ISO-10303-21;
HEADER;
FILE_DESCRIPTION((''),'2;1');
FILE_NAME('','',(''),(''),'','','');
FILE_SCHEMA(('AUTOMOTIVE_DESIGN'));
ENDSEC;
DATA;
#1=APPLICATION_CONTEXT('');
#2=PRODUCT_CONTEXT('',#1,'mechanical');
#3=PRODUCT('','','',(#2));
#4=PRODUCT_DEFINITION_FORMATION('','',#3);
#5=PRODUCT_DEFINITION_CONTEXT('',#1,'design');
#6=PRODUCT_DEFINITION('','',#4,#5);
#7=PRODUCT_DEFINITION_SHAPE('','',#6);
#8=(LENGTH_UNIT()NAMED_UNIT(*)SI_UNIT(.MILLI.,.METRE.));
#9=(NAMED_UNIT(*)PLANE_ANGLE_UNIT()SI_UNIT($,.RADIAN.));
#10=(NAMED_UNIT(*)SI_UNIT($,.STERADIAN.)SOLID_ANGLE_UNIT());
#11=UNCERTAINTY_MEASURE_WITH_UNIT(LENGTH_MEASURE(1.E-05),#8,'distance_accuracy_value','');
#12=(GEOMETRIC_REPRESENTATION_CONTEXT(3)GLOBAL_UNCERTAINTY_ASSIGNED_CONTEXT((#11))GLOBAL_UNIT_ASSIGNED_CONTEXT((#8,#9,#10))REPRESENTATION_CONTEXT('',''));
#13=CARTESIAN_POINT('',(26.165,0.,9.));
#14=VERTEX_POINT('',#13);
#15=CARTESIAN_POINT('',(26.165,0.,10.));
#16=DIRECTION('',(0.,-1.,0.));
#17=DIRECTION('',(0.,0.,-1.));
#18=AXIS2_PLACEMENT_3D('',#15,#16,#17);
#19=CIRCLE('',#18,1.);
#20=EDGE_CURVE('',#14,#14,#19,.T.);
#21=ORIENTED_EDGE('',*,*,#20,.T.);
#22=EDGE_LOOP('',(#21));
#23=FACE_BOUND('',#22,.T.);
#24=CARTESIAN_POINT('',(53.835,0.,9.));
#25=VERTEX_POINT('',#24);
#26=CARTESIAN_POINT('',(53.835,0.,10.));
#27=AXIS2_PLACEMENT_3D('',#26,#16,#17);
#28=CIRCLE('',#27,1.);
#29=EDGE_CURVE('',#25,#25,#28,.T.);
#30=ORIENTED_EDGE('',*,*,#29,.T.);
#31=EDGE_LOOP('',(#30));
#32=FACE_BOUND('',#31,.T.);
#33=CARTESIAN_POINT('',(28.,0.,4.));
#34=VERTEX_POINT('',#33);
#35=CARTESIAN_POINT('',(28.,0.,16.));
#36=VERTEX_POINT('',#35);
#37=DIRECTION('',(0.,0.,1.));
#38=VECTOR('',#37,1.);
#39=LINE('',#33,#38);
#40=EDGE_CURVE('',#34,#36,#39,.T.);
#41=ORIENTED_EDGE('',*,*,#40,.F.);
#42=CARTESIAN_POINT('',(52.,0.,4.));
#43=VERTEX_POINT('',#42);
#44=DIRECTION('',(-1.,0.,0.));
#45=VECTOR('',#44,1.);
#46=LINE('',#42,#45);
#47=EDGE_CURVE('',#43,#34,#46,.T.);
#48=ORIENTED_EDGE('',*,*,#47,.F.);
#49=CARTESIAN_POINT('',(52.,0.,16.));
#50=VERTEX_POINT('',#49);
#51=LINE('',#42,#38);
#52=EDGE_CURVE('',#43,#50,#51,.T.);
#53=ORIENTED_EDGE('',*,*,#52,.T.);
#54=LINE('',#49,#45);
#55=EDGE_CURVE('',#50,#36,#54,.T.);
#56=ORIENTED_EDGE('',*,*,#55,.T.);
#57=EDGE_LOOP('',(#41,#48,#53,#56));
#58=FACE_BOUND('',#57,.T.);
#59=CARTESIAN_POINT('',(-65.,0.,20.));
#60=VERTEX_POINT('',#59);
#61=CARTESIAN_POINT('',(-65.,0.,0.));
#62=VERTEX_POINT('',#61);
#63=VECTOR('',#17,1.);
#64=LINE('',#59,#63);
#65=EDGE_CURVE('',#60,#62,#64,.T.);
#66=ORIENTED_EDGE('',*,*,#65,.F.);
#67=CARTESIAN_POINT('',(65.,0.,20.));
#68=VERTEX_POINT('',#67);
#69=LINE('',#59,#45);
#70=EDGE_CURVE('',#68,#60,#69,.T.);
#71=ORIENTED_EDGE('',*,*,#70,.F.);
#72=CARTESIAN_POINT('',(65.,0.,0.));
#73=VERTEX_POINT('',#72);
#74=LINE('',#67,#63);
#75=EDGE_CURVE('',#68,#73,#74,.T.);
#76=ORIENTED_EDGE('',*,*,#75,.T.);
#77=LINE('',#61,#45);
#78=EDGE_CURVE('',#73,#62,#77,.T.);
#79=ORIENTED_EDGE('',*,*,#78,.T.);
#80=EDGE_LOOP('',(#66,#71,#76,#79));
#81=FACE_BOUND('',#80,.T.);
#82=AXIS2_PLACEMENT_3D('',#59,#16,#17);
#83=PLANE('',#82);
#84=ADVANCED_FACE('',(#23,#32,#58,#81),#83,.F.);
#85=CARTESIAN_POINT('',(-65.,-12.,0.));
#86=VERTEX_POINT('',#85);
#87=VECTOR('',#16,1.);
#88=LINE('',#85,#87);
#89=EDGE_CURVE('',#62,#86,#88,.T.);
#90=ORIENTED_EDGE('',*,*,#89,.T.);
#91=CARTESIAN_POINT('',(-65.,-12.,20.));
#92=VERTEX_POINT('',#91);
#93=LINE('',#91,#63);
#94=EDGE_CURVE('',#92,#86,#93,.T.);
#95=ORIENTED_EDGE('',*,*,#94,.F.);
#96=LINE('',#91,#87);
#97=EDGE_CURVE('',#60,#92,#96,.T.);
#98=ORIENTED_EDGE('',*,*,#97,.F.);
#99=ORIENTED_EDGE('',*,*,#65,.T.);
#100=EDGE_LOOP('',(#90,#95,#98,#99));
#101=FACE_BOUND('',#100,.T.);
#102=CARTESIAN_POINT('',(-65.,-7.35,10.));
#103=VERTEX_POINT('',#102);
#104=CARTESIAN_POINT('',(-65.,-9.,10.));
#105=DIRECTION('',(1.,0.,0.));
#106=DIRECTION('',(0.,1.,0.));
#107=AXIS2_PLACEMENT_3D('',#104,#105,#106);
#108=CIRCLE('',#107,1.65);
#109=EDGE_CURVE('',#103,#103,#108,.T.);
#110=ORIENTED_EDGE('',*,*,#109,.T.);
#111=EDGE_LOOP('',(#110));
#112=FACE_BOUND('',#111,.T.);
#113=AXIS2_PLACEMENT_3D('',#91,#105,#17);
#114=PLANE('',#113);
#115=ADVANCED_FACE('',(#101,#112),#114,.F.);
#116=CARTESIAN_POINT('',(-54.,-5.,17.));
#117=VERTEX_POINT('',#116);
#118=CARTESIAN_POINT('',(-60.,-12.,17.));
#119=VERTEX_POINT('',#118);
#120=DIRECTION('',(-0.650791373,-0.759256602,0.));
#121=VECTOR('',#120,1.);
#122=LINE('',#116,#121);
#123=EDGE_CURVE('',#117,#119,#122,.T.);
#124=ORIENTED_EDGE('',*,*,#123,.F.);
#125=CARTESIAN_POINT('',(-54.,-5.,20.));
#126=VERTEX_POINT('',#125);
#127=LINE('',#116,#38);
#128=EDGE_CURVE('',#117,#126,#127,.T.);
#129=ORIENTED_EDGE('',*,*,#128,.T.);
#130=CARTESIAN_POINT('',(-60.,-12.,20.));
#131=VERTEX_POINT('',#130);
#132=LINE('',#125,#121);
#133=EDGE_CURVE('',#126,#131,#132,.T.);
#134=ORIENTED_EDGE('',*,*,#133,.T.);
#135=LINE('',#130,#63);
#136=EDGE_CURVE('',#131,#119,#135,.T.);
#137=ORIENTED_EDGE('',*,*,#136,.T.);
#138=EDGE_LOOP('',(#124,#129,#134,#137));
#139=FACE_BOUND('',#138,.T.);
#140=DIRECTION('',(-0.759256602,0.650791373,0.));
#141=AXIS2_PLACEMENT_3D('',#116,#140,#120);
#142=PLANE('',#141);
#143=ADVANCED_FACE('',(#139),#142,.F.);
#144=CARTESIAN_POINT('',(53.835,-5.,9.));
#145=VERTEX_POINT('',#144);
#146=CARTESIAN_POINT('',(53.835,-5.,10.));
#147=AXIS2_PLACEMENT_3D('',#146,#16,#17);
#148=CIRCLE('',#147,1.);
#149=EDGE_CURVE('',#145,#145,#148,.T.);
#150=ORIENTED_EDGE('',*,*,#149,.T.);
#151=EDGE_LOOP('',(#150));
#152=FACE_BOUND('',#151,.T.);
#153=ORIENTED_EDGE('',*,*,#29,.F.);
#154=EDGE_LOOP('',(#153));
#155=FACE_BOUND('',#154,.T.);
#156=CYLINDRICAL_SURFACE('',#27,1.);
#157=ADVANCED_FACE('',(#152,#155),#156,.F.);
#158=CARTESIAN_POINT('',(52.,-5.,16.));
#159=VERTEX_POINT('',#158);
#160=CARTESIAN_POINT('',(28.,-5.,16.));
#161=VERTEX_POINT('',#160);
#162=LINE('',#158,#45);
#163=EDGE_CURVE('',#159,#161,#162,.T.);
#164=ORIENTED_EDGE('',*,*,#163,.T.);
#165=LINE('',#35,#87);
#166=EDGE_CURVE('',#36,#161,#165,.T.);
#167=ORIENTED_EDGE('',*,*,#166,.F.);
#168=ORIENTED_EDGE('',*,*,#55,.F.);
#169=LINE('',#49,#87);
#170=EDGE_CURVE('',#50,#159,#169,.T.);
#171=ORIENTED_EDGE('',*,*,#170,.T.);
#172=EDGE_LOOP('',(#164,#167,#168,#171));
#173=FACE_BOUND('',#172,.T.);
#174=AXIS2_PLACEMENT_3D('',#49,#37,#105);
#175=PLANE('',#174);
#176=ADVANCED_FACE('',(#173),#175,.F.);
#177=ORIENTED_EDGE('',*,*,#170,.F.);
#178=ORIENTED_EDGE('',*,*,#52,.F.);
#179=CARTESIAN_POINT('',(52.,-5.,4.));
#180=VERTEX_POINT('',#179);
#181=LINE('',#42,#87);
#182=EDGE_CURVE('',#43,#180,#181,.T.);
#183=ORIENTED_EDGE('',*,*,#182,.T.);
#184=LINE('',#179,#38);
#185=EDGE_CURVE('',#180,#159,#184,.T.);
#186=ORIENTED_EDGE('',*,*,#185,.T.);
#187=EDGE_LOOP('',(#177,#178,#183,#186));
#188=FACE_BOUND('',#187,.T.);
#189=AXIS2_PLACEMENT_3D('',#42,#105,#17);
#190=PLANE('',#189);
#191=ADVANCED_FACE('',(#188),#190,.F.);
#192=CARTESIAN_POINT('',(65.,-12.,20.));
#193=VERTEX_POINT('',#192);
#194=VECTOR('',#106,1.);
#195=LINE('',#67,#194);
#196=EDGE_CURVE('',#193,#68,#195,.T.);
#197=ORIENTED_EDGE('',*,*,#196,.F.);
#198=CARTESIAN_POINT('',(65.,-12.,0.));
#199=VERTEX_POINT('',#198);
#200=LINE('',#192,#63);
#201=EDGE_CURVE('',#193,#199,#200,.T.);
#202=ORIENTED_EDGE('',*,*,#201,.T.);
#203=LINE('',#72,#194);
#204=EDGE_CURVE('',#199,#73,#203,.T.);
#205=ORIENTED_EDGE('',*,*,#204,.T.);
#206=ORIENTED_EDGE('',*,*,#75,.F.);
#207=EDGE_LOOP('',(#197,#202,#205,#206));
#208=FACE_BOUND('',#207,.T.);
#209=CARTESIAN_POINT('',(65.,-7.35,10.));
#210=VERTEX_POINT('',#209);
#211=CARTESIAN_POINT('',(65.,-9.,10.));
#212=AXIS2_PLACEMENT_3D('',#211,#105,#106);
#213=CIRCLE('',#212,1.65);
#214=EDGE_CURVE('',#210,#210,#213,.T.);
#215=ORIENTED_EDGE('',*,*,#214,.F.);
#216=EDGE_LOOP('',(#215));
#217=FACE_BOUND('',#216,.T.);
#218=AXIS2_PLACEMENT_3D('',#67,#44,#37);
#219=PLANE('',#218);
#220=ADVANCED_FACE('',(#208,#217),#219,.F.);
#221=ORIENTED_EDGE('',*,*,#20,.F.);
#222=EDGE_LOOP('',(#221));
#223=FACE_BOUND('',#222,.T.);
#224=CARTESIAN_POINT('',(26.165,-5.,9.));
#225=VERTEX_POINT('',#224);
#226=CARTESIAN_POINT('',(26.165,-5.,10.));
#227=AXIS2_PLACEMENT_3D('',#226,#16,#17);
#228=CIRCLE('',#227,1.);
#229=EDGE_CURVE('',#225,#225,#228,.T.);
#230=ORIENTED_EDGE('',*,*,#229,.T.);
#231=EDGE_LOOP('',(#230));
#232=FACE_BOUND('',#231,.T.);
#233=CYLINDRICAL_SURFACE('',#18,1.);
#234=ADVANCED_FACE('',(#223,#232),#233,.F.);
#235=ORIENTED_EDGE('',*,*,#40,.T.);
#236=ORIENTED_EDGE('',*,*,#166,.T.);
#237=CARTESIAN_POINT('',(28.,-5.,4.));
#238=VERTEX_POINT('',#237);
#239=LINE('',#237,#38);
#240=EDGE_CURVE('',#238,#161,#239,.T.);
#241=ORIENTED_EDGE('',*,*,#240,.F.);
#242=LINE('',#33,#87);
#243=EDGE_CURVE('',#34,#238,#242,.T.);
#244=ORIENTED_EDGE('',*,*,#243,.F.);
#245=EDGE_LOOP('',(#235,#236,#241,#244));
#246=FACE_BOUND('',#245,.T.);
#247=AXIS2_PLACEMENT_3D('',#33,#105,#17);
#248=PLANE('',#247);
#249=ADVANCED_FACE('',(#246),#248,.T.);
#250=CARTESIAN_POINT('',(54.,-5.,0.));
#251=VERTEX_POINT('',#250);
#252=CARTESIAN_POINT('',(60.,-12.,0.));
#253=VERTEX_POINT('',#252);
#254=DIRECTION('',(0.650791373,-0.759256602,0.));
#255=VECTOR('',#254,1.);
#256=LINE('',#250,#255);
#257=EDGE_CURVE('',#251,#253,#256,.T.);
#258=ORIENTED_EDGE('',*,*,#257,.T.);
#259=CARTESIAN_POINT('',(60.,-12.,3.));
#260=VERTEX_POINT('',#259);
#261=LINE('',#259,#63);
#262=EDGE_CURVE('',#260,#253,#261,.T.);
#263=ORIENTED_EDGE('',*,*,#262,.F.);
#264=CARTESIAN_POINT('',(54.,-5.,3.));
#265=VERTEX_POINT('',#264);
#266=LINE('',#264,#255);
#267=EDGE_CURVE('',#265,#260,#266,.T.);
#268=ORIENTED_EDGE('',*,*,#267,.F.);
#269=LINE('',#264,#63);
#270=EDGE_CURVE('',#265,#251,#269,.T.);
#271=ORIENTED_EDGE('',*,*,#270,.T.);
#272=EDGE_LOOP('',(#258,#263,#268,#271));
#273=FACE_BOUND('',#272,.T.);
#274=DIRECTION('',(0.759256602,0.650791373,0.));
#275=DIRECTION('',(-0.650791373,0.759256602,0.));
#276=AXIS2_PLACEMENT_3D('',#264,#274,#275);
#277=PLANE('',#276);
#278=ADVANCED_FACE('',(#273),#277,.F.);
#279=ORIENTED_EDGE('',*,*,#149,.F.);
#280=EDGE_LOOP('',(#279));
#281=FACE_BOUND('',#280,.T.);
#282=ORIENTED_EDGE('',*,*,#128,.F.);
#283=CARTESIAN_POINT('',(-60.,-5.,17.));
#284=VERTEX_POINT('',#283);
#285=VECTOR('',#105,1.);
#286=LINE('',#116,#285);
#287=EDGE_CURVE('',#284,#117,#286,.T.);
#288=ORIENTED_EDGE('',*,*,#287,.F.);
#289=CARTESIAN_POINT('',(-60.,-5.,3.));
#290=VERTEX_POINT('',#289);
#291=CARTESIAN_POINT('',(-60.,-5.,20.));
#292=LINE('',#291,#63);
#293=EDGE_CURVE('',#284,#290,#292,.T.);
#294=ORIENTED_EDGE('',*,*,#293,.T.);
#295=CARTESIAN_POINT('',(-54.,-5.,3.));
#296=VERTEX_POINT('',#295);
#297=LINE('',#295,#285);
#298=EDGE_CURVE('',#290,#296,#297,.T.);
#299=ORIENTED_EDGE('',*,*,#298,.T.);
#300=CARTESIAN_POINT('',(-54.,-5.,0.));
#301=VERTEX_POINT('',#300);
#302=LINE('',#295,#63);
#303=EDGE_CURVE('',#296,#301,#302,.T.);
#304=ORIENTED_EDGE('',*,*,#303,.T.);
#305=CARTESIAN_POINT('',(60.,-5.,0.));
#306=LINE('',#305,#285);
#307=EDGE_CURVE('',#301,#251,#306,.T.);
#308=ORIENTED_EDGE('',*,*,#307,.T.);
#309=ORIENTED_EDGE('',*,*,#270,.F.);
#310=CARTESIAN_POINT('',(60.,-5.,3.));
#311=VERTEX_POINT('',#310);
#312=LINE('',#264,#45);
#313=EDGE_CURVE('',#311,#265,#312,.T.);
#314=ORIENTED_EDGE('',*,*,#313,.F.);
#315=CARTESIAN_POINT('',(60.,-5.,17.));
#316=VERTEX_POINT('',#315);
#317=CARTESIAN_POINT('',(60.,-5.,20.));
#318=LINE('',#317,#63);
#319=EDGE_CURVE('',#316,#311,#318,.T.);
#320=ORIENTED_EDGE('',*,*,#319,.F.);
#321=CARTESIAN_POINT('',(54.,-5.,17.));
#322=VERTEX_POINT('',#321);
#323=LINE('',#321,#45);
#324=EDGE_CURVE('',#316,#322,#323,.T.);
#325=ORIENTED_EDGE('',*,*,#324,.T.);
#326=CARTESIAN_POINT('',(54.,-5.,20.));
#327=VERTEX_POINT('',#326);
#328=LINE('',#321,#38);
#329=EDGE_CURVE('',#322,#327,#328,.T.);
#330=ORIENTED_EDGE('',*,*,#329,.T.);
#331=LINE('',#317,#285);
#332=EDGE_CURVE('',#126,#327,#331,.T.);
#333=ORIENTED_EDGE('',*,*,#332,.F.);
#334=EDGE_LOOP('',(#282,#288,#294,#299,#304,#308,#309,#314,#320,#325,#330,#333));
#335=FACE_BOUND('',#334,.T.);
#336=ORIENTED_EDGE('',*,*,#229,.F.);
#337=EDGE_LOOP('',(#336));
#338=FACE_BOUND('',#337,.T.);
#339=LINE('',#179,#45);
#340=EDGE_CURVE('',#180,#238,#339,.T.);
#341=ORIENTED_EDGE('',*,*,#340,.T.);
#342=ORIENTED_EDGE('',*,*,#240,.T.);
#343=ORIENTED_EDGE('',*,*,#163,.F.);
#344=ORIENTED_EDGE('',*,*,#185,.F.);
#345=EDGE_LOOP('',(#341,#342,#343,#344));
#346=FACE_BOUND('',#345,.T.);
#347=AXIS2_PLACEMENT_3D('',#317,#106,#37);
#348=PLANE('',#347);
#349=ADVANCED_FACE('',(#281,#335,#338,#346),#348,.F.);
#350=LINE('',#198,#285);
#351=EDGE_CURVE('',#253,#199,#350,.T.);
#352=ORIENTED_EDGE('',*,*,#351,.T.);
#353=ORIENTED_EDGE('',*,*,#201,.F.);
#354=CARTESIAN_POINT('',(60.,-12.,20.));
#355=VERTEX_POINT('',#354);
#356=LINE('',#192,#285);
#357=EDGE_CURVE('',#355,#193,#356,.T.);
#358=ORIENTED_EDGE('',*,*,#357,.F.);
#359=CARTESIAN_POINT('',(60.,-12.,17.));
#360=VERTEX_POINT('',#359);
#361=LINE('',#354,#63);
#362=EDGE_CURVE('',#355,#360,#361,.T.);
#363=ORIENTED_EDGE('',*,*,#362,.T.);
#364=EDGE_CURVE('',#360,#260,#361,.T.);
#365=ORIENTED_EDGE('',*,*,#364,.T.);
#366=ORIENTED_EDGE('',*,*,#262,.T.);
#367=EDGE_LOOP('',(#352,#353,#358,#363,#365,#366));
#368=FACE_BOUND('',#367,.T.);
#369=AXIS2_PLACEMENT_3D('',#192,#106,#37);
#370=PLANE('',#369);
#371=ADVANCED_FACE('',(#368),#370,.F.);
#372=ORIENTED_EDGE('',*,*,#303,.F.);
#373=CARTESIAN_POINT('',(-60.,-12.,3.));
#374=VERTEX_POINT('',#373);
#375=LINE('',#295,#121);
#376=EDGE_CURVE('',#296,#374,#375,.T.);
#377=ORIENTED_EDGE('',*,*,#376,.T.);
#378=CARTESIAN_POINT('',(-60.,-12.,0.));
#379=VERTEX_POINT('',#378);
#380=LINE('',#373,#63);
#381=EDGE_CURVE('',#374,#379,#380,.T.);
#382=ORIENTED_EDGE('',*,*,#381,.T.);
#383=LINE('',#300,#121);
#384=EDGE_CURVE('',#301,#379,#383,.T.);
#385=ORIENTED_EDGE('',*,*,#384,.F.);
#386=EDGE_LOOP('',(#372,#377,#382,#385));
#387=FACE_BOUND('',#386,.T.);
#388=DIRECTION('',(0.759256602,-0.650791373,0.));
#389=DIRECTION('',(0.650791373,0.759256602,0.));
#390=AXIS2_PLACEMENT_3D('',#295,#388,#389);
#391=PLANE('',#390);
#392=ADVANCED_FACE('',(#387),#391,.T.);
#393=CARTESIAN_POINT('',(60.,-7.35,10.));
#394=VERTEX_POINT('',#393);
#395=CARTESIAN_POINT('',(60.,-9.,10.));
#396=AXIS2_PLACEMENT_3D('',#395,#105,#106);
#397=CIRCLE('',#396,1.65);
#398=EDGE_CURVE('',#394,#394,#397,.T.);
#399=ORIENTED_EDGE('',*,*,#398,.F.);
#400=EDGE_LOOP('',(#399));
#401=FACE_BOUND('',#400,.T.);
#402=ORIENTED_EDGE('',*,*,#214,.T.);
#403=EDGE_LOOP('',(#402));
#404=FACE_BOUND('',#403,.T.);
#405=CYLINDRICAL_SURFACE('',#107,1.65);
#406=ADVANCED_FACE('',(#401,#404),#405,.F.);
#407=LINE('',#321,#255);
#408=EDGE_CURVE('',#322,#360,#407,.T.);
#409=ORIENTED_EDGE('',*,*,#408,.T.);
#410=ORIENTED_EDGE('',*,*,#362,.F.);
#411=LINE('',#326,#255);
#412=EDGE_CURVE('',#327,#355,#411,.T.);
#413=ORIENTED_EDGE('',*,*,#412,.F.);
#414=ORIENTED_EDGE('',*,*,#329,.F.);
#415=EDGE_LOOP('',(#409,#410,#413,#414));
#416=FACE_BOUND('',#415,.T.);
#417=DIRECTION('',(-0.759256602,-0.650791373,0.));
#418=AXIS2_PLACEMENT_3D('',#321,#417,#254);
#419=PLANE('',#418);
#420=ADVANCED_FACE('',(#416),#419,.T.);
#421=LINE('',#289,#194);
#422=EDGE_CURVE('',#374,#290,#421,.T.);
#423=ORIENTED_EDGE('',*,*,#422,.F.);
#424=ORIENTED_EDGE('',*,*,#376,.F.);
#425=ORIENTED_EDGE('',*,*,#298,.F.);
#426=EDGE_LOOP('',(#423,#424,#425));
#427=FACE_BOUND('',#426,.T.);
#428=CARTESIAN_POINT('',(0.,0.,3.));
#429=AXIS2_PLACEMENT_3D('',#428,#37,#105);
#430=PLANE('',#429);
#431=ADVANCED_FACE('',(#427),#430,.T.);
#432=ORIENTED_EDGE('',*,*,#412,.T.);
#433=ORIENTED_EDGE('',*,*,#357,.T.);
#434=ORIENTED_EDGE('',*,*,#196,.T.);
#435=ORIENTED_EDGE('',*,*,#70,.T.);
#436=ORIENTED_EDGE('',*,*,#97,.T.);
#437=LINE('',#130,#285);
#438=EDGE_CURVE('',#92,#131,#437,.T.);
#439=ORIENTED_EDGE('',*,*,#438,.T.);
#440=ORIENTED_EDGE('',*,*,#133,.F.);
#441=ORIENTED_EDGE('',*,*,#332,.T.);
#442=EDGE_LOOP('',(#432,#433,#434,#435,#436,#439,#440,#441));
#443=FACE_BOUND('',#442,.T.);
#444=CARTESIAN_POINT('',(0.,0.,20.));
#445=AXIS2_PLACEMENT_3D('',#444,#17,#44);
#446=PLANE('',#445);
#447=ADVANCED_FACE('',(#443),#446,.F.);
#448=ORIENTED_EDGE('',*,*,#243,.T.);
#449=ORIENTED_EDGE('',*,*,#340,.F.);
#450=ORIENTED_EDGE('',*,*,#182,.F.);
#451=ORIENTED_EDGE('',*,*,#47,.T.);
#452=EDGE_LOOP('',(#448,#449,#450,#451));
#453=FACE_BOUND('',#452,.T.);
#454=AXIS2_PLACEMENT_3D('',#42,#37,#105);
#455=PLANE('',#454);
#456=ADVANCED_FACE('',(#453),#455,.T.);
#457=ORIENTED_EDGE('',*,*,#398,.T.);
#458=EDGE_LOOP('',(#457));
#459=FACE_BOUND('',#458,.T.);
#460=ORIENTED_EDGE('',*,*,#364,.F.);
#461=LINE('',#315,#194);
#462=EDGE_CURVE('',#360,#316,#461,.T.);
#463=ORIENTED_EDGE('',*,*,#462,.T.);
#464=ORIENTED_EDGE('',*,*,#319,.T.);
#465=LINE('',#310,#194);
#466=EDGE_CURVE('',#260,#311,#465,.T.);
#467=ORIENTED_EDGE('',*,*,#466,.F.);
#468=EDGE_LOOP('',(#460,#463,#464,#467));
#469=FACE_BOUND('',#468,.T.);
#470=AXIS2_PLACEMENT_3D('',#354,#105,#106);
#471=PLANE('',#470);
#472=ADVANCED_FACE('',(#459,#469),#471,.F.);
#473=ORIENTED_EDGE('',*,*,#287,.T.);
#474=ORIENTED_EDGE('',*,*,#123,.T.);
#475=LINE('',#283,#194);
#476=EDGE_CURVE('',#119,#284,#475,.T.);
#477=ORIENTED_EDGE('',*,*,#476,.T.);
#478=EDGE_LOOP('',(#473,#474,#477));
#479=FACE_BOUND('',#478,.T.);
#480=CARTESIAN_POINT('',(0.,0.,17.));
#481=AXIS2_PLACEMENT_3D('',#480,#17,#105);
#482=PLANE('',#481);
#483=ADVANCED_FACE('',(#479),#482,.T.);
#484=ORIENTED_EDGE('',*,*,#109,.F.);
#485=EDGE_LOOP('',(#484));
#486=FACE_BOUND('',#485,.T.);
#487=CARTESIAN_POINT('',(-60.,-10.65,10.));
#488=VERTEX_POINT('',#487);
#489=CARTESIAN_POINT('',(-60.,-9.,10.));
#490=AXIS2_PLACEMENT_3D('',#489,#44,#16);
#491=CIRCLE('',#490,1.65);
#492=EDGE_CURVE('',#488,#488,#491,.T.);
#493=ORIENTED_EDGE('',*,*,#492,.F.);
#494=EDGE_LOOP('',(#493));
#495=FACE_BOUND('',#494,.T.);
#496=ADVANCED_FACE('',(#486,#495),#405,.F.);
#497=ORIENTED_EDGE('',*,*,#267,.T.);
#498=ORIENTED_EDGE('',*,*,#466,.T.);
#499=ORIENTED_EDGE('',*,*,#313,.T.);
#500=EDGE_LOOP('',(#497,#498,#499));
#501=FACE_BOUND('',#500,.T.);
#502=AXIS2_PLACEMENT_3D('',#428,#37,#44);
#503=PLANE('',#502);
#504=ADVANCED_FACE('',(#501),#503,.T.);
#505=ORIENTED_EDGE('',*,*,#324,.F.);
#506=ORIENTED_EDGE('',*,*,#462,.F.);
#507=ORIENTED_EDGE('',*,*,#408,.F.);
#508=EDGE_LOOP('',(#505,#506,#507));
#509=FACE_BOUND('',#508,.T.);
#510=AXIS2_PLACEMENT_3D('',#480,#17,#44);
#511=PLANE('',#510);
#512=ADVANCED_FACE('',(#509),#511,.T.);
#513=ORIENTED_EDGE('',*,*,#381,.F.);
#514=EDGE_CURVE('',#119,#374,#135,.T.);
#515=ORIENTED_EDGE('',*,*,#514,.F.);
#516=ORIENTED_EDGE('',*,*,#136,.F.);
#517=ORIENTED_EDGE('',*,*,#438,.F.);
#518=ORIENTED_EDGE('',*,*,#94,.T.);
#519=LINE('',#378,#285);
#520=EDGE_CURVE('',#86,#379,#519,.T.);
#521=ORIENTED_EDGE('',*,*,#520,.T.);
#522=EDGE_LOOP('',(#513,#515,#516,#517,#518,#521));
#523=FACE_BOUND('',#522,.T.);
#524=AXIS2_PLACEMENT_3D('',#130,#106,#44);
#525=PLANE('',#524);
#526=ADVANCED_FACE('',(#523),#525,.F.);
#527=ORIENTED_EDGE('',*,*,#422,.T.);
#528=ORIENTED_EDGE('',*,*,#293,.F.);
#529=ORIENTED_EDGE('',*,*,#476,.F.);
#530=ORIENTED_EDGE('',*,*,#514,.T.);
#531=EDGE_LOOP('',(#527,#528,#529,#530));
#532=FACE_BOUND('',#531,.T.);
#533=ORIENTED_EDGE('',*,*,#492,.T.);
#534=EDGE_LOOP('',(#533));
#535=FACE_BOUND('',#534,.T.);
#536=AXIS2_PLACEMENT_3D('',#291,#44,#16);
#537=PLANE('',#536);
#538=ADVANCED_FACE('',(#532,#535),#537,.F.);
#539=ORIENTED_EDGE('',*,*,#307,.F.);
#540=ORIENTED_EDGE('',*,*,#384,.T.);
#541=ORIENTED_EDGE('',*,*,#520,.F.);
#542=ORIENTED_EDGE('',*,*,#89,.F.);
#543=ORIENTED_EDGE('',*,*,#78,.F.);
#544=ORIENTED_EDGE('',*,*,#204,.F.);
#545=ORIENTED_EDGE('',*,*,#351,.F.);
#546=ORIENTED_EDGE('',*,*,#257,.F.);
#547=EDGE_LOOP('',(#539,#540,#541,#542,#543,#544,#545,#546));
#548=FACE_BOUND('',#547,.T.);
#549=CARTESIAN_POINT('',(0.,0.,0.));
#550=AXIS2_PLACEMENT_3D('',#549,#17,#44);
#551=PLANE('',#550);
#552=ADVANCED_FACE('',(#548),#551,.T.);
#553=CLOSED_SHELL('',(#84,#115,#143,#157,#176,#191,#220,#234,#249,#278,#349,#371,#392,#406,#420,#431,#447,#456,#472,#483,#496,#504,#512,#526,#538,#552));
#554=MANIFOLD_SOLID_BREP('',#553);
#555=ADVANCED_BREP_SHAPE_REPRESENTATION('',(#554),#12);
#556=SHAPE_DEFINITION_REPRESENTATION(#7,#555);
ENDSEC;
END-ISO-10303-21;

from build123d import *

# Parameters (mm, degrees)
EXTRUDE_2_DEPTH          = 20
SKETCH_3_R               = 1.65
CUT_EXTRUDE_1_DEPTH      = 126
CUT_EXTRUDE_1_DEPTH_BACK = 6
EXTRUDE_3_DEPTH          = 3
MIRROR_2_COPY_1_DEPTH    = 3
SKETCH_7_W               = 24
SKETCH_7_H               = 12
CUT_EXTRUDE_2_DEPTH      = 5
SKETCH_10_R              = 1
CUT_EXTRUDE_3_DEPTH      = 5


with BuildPart() as part:
    # 草图1 → 凸台-拉伸2 (new body)
    with BuildSketch(Plane.XY):
        Polygon((-65, 0), (65, 0), (65, -12), (60, -12), (60, -5), (-60, -5), (-60, -12), (-65, -12), align=None)
    extrude(amount=EXTRUDE_2_DEPTH)

    # 草图3 → 切除-拉伸1 (cut, two sides)
    with BuildSketch(Plane(origin=(-60, 0, 0), x_dir=(0, 0, -1), z_dir=(1, 0, 0))) as cut_extrude_1_sk:
        with Locations((-10, -9)):
            Circle(SKETCH_3_R)
    extrude(amount=CUT_EXTRUDE_1_DEPTH, mode=Mode.SUBTRACT)
    extrude(cut_extrude_1_sk.sketch, amount=-CUT_EXTRUDE_1_DEPTH_BACK, mode=Mode.SUBTRACT)

    # 草图4 → 凸台-拉伸3 (add)
    with BuildSketch(Plane(origin=(0, 0, 0), x_dir=(-1, 0, 0), z_dir=(0, 0, -1))):
        Polygon((54, -5), (60, -12), (60, -5), align=None)
    extrude_3 = extrude(amount=-EXTRUDE_3_DEPTH)

    # 镜向1: 凸台-拉伸3 across plane
    add(extrude_3.mirror(Plane.XY.offset(10)))

    # 镜向2: 凸台-拉伸3 across plane
    add(extrude_3.mirror(Plane(origin=(0, 0, 0), x_dir=(0, 0, 1), z_dir=(1, 0, 0))))

    # 镜向2 copy 1 sketch → 镜向2 copy 1 (add)
    with BuildSketch(Plane.XY.offset(20)):
        Polygon((54, -5), (60, -12), (60, -5), align=None)
    extrude(amount=-MIRROR_2_COPY_1_DEPTH)

    # 草图7 → 切除-拉伸2 (cut)
    with BuildSketch(Plane.XZ.offset(5)):
        with Locations((40, 10)):
            Rectangle(SKETCH_7_W, SKETCH_7_H)
    extrude(amount=-CUT_EXTRUDE_2_DEPTH, mode=Mode.SUBTRACT)

    # 草图10 → 切除-拉伸3 (cut)
    with BuildSketch(Plane.XZ.offset(5)):
        with Locations((53.835, 10)):
            Circle(SKETCH_10_R)
        with Locations((26.165, 10)):
            Circle(SKETCH_10_R)
    extrude(amount=-CUT_EXTRUDE_3_DEPTH, mode=Mode.SUBTRACT)


solid = part.part
